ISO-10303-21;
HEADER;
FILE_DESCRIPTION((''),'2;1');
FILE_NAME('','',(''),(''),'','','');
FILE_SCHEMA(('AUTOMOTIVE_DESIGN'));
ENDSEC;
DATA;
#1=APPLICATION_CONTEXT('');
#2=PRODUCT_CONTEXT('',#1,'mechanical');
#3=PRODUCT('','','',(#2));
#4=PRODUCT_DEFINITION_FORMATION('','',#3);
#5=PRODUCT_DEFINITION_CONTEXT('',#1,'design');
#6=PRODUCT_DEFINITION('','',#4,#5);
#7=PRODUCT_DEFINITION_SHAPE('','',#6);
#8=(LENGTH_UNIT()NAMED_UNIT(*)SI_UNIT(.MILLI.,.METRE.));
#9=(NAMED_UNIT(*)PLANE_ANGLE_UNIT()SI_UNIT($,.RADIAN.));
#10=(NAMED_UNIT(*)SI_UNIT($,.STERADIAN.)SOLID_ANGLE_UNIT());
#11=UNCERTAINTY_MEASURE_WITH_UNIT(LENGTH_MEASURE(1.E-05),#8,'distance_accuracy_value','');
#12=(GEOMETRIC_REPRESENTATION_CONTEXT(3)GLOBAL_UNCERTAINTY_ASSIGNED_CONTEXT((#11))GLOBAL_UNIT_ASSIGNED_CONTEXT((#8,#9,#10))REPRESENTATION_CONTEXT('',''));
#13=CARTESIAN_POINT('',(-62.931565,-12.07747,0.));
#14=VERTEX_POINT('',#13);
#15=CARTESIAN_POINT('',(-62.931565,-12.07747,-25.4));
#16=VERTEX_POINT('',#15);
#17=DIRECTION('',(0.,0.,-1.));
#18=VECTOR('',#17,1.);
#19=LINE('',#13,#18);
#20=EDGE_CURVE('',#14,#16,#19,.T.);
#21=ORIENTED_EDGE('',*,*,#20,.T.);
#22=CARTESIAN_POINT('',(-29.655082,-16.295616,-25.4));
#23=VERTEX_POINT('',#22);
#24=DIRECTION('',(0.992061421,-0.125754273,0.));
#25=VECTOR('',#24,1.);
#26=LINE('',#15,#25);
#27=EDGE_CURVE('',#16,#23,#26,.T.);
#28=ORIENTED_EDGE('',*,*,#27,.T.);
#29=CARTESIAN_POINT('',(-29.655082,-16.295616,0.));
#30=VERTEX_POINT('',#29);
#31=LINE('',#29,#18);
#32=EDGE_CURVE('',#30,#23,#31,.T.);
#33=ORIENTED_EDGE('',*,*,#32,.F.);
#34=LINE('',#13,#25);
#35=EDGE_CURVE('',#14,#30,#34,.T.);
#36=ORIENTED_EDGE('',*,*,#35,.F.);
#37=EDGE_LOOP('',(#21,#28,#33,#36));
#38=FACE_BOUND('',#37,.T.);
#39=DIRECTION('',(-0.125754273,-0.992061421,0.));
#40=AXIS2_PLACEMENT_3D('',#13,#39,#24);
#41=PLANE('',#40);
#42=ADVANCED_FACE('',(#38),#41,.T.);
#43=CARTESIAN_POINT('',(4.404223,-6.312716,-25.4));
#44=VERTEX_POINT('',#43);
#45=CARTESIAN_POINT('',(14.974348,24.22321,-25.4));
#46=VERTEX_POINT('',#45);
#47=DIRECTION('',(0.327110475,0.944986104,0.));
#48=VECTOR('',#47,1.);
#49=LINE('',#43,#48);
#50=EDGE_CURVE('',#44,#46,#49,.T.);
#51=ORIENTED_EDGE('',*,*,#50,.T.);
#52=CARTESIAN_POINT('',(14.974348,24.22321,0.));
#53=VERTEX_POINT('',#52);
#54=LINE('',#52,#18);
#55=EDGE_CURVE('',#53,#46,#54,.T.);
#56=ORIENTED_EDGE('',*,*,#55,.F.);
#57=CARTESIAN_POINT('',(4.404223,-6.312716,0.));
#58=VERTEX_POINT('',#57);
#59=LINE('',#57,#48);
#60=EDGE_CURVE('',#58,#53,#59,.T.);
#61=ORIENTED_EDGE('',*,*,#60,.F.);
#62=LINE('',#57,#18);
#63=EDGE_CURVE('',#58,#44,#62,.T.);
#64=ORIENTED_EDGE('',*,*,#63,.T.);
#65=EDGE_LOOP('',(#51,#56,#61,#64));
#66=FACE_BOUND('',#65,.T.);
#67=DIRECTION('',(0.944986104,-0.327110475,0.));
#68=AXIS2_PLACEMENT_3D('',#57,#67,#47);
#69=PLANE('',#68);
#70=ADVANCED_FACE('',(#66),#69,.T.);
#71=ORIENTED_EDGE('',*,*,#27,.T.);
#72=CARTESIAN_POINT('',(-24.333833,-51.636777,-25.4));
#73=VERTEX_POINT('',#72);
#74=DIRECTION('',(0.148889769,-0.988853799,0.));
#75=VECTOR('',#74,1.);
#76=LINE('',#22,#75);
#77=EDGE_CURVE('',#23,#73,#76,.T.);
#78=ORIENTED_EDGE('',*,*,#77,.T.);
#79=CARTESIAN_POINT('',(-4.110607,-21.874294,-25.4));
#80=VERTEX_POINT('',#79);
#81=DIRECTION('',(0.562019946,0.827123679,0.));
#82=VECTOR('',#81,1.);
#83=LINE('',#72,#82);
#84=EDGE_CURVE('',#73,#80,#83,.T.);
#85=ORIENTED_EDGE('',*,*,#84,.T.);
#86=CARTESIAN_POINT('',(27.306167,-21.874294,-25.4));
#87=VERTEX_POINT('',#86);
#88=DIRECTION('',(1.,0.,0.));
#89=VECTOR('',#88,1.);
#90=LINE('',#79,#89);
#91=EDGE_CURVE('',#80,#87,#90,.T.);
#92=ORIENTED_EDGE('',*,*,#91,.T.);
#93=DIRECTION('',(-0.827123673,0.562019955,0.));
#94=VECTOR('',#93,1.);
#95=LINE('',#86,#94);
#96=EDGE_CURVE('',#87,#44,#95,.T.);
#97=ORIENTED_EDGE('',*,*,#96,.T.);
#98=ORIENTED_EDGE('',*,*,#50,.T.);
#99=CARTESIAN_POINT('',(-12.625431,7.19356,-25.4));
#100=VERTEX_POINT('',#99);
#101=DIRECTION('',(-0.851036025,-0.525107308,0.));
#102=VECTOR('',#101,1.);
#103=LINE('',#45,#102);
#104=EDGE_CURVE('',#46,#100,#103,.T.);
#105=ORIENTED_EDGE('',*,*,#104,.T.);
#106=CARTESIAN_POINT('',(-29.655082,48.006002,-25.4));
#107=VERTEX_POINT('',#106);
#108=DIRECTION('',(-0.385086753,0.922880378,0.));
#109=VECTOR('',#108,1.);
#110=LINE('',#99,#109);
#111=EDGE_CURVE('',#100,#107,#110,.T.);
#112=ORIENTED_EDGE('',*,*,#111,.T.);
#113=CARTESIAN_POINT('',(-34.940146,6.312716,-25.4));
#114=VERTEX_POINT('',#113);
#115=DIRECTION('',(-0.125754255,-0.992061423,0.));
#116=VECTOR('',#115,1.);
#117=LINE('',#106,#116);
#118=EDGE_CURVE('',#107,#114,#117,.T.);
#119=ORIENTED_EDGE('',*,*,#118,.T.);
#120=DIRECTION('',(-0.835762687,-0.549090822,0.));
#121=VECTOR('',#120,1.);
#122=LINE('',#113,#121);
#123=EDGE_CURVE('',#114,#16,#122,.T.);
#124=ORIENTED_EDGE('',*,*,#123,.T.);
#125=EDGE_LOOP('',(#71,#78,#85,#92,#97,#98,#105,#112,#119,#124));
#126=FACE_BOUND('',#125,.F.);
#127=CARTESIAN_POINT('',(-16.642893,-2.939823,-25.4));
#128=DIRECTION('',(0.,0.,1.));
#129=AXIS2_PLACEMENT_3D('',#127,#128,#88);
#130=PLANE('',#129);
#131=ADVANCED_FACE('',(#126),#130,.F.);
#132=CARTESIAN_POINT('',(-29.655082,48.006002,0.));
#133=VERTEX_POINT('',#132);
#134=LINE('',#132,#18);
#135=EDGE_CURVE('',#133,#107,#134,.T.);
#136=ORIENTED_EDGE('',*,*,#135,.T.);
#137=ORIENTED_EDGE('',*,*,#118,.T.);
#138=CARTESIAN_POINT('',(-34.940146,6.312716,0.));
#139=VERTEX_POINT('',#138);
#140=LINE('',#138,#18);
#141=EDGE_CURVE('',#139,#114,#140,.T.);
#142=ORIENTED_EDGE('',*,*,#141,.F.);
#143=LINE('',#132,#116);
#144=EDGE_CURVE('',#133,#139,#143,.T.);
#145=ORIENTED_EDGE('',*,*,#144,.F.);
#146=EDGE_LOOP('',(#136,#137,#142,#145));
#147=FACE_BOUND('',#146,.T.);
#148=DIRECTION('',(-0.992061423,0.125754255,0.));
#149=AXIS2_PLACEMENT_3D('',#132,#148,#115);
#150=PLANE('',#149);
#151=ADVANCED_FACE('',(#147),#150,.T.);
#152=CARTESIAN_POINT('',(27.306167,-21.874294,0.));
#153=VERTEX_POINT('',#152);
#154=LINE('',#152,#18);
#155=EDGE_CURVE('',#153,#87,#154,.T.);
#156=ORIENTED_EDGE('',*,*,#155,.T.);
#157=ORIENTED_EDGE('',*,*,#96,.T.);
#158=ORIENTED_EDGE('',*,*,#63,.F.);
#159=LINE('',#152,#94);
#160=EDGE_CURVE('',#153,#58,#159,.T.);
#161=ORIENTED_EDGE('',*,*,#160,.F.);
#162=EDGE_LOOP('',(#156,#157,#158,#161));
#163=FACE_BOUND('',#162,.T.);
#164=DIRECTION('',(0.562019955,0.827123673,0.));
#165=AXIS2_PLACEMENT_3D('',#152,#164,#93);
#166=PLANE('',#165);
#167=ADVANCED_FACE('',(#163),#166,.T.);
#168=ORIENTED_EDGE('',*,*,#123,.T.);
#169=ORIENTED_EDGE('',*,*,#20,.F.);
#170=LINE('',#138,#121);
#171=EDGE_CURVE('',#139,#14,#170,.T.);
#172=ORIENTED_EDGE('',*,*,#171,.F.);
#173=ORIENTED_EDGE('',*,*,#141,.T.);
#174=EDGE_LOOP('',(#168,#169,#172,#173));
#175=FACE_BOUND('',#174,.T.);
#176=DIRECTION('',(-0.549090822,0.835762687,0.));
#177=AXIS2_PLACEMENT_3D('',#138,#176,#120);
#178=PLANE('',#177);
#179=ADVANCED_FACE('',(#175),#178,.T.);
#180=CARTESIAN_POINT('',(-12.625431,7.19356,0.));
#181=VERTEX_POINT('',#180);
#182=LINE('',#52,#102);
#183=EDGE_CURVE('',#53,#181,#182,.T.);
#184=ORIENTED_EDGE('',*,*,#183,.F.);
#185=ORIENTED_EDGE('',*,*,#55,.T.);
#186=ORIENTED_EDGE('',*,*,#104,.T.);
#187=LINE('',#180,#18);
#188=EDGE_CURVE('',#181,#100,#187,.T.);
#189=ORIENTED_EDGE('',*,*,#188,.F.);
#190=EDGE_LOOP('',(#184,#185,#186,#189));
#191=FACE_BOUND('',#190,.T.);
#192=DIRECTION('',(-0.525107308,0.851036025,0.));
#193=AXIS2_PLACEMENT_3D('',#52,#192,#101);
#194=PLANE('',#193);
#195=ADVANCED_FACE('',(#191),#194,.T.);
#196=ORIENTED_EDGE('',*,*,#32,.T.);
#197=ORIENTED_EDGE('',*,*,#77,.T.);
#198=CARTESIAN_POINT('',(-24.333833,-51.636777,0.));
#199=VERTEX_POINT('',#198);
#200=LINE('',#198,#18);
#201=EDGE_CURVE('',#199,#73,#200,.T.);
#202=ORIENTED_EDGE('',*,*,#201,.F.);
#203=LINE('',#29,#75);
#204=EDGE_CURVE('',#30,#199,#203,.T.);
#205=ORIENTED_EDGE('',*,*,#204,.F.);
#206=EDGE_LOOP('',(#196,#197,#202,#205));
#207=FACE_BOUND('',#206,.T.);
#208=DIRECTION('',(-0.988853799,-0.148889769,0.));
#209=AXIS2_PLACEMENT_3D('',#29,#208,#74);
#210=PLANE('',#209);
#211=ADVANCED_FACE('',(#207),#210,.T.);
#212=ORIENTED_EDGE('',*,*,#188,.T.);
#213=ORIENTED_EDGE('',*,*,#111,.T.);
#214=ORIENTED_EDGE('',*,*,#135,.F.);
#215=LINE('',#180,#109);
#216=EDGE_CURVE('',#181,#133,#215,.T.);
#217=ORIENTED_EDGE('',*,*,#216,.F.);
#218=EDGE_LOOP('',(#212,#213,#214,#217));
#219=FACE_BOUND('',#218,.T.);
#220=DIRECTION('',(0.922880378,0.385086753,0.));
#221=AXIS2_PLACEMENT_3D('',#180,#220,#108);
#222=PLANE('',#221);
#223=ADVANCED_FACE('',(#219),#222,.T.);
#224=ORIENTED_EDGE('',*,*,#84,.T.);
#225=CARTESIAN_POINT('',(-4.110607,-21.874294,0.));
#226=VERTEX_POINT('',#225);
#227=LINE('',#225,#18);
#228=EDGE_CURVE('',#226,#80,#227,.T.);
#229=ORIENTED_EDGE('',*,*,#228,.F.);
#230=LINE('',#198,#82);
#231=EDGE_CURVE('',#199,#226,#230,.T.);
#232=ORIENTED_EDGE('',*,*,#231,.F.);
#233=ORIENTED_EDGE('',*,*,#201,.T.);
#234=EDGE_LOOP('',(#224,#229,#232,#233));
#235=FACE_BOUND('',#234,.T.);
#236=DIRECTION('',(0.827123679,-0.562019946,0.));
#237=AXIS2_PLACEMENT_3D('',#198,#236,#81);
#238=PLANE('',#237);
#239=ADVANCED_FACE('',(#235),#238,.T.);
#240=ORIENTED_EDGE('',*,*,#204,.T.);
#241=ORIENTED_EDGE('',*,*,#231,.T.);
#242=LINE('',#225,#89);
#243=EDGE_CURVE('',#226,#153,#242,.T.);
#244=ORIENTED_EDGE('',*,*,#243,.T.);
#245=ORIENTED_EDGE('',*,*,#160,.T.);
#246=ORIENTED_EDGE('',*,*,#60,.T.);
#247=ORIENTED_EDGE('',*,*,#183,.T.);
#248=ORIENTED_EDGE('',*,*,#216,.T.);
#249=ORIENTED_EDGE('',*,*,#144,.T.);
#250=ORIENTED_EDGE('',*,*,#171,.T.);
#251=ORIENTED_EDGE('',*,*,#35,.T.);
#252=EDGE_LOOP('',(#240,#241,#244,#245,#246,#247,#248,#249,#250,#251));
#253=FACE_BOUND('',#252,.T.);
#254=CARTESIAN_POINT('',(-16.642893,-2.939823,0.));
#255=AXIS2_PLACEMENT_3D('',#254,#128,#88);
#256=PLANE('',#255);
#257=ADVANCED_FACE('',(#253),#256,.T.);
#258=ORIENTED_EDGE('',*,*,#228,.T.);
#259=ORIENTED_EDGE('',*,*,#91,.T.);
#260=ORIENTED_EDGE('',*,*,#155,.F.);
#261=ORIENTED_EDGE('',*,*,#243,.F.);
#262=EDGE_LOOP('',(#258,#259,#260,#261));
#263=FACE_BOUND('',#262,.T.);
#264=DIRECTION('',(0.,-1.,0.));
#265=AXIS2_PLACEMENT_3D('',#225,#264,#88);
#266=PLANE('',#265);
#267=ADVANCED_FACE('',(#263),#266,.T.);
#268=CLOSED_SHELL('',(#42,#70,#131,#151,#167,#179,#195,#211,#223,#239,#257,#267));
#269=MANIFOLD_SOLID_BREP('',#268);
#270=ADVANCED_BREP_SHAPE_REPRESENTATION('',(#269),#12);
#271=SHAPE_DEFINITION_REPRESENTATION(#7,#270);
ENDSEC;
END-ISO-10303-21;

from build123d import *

# Parameters (mm, degrees)
F1_DEPTH = 25.4


with BuildPart() as f1:
    # F0 (on Top) → F1 (new body)
    with BuildSketch(Plane.XY):
        Polygon((-29.655082, 48.006002), (-34.940146, 6.312716), (-62.931565, -12.07747), (-29.655082, -16.295616), (-24.333833, -51.636777), (-4.110607, -21.874294), (27.306167, -21.874294), (4.404223, -6.312716), (14.974348, 24.22321), (-12.625431, 7.19356), align=None)
    extrude(amount=-F1_DEPTH)


solid = f1.part
